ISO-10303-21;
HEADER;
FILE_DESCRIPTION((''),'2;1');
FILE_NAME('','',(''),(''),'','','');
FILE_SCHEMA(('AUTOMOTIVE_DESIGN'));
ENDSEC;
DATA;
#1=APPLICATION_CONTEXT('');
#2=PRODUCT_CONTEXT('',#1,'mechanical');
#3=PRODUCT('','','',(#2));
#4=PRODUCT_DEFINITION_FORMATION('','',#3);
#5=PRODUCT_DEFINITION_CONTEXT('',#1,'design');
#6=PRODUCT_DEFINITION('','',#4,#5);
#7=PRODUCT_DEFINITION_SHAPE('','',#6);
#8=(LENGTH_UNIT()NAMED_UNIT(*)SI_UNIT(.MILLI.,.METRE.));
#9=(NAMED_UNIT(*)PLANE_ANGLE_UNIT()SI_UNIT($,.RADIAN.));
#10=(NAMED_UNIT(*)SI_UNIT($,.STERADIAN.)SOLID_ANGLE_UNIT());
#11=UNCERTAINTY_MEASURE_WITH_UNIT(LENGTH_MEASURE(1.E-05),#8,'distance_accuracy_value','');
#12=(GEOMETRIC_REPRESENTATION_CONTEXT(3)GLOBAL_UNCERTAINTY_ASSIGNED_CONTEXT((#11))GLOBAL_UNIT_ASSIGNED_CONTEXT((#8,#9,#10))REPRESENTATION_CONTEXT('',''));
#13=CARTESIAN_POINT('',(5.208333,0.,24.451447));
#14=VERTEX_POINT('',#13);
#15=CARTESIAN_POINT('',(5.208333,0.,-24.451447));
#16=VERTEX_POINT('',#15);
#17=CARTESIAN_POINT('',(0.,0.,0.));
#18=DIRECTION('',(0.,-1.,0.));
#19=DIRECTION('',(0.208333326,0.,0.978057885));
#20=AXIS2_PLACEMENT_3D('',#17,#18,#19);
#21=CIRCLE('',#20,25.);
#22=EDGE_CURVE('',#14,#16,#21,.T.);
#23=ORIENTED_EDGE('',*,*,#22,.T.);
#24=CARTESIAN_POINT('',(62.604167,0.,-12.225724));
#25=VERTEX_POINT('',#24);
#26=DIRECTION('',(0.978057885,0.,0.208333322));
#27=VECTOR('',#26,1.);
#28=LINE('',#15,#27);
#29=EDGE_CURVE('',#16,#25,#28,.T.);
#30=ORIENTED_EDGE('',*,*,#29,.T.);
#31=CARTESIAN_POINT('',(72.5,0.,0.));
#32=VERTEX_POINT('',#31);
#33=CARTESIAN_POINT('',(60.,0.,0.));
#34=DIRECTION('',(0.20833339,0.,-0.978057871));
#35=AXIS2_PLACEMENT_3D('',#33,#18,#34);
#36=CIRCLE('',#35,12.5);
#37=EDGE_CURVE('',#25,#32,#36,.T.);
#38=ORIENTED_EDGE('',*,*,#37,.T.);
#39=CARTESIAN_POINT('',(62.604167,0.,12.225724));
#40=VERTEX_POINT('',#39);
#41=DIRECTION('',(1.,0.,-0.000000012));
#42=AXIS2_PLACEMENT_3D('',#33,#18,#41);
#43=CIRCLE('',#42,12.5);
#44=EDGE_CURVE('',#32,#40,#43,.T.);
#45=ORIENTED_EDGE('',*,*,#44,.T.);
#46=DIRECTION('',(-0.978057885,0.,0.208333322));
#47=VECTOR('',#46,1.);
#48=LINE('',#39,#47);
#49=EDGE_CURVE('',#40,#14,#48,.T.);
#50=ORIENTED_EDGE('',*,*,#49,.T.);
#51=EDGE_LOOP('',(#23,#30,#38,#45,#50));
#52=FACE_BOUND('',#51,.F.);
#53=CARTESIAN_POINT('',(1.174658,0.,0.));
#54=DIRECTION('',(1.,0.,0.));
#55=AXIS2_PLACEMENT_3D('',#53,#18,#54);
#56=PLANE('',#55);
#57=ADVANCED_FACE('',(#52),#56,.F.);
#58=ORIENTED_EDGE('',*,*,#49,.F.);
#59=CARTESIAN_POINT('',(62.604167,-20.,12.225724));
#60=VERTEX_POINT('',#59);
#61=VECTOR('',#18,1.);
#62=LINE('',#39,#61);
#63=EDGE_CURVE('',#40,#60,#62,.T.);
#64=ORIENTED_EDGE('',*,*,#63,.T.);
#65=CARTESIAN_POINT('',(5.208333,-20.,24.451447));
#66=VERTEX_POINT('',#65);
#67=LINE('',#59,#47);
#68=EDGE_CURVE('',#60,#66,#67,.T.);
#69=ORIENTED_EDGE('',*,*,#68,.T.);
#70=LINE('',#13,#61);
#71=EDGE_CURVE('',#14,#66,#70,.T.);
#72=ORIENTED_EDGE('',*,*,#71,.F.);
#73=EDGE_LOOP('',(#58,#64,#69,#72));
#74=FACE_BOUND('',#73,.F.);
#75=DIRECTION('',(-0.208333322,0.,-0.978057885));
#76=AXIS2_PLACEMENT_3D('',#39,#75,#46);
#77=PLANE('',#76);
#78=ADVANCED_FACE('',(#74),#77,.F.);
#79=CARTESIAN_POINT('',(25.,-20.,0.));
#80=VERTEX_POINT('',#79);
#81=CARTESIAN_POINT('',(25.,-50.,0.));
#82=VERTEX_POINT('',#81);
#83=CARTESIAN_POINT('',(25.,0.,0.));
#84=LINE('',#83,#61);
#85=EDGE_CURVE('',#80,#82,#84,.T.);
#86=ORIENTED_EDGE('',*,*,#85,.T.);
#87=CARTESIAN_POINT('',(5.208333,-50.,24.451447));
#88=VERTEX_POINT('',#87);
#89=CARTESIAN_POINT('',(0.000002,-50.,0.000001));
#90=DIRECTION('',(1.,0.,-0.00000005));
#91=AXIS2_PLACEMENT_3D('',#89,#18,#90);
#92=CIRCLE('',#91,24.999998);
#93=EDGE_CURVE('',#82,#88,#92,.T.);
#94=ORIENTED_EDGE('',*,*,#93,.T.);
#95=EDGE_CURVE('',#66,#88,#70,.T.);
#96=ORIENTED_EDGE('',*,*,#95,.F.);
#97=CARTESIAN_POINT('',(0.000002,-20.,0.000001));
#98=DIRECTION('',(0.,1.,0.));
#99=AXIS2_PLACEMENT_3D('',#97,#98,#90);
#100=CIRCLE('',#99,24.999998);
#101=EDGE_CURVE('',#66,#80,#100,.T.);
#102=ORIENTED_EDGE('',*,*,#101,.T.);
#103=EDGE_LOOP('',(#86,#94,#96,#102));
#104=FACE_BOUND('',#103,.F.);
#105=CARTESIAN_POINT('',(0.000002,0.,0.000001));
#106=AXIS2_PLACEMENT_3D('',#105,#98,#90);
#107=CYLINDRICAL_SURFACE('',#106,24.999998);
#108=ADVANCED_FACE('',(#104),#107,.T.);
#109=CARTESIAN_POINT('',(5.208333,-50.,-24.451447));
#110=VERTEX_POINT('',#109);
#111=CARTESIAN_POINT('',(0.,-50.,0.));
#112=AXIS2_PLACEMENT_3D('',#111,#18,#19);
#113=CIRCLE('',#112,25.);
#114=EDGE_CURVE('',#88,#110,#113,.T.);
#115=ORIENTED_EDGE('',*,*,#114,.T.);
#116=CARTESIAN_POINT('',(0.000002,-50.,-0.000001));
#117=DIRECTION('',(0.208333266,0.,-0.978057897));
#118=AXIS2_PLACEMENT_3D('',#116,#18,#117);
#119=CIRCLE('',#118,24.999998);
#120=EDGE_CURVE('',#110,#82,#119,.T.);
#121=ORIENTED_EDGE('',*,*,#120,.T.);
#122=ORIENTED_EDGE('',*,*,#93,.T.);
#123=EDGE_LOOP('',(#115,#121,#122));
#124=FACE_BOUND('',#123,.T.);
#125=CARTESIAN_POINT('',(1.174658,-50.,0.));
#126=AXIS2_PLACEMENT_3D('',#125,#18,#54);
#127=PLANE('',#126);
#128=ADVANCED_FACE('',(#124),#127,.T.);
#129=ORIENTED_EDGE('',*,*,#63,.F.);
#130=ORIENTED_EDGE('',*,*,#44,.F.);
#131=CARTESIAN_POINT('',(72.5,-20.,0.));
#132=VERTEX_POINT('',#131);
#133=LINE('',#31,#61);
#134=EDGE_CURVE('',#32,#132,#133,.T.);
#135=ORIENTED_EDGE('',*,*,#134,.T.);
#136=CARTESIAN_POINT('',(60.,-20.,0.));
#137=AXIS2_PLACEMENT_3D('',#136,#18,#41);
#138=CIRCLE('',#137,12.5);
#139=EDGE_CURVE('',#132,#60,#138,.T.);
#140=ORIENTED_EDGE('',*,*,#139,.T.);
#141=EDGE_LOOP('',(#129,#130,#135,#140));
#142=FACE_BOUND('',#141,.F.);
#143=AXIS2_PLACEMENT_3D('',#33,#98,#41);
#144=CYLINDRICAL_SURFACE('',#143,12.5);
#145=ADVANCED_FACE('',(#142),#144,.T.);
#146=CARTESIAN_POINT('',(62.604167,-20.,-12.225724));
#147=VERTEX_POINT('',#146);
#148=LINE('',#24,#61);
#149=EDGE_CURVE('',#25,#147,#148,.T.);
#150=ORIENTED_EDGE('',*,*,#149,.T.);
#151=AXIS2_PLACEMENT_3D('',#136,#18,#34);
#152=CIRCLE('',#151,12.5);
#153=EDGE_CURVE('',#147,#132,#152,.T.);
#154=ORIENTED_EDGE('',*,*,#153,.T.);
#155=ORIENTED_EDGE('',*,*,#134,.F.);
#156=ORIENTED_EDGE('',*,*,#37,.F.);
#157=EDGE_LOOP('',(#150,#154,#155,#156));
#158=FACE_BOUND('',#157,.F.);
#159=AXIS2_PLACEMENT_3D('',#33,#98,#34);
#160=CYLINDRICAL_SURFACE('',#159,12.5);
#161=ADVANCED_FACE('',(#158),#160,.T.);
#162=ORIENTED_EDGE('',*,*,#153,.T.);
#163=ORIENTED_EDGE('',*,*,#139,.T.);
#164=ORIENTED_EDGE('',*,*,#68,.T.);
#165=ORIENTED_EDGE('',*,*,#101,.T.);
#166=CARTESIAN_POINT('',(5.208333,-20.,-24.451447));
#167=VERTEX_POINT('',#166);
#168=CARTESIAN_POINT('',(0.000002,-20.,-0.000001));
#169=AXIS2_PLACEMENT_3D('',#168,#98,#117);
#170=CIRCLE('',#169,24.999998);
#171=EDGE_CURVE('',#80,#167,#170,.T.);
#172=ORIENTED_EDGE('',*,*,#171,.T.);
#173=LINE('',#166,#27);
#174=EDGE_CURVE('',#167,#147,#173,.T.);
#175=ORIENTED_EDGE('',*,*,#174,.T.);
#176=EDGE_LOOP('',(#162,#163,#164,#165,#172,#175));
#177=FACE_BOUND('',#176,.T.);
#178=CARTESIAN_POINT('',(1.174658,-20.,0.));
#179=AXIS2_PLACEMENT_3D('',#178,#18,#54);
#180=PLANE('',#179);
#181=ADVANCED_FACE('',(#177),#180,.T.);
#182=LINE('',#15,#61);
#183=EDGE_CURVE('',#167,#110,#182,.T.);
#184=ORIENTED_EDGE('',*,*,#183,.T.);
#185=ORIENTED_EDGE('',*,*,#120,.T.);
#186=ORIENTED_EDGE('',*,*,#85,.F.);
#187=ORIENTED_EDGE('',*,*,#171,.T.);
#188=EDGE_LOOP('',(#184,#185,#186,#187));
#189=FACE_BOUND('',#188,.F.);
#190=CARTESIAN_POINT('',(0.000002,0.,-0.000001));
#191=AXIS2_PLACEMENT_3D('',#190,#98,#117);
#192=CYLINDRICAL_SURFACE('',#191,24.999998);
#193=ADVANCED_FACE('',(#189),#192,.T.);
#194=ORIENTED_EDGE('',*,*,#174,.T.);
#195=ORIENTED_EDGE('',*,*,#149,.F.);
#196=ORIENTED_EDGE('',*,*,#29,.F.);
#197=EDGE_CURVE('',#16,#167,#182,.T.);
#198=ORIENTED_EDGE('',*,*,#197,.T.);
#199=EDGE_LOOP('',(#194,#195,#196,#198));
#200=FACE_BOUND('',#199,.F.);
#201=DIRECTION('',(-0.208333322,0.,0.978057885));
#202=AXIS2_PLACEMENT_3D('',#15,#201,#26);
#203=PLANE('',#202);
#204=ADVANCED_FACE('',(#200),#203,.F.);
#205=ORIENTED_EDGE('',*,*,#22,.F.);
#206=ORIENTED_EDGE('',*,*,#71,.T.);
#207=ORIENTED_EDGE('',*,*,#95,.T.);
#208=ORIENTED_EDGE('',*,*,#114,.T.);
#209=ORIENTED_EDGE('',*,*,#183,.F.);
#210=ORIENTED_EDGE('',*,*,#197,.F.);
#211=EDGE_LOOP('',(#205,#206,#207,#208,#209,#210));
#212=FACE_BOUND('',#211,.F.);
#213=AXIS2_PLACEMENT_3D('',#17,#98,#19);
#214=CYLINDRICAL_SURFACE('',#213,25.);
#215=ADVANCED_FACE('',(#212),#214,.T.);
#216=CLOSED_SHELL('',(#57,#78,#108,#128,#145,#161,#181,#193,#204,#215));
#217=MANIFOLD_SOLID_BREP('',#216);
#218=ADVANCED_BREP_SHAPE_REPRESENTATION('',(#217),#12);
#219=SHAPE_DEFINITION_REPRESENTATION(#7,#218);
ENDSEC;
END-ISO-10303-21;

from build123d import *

# Parameters (mm, degrees)
F1_DEPTH = 20
F2_DEPTH = 50


with BuildPart() as f1:
    # F0 (on Front) → F1 (new body)
    with BuildSketch(Plane.XZ):
        with BuildLine():
            ThreePointArc((5.208333, -24.451447), (19.43204, -15.728822), (25, 0))
            ThreePointArc((25, 0), (19.43204, 15.728822), (5.208333, 24.451447))
            ThreePointArc((5.208333, 24.451447), (-25, 0), (5.208333, -24.451447))
        make_face()
        with BuildLine():
            ThreePointArc((5.208333, 24.451447), (19.43204, 15.728822), (25, 0))
            ThreePointArc((25, 0), (19.43204, -15.728822), (5.208333, -24.451447))
            Line((5.208333, -24.451447), (62.604167, -12.225724))
            ThreePointArc((62.604167, -12.225724), (47.5, 0), (62.604167, 12.225724))
            Line((62.604167, 12.225724), (5.208333, 24.451447))
        make_face()
        with BuildLine():
            ThreePointArc((72.5, 0), (69.71602, 7.864411), (62.604167, 12.225724))
            ThreePointArc((62.604167, 12.225724), (47.5, 0), (62.604167, -12.225724))
            ThreePointArc((62.604167, -12.225724), (69.71602, -7.864411), (72.5, 0))
        make_face()
    extrude(amount=F1_DEPTH)

    # F0 (on Front) → F2 (join)
    with BuildSketch(Plane.XZ):
        with BuildLine():
            ThreePointArc((5.208333, -24.451447), (19.43204, -15.728822), (25, 0))
            ThreePointArc((25, 0), (19.43204, 15.728822), (5.208333, 24.451447))
            ThreePointArc((5.208333, 24.451447), (-25, 0), (5.208333, -24.451447))
        make_face()
    extrude(amount=F2_DEPTH)


solid = f1.part
